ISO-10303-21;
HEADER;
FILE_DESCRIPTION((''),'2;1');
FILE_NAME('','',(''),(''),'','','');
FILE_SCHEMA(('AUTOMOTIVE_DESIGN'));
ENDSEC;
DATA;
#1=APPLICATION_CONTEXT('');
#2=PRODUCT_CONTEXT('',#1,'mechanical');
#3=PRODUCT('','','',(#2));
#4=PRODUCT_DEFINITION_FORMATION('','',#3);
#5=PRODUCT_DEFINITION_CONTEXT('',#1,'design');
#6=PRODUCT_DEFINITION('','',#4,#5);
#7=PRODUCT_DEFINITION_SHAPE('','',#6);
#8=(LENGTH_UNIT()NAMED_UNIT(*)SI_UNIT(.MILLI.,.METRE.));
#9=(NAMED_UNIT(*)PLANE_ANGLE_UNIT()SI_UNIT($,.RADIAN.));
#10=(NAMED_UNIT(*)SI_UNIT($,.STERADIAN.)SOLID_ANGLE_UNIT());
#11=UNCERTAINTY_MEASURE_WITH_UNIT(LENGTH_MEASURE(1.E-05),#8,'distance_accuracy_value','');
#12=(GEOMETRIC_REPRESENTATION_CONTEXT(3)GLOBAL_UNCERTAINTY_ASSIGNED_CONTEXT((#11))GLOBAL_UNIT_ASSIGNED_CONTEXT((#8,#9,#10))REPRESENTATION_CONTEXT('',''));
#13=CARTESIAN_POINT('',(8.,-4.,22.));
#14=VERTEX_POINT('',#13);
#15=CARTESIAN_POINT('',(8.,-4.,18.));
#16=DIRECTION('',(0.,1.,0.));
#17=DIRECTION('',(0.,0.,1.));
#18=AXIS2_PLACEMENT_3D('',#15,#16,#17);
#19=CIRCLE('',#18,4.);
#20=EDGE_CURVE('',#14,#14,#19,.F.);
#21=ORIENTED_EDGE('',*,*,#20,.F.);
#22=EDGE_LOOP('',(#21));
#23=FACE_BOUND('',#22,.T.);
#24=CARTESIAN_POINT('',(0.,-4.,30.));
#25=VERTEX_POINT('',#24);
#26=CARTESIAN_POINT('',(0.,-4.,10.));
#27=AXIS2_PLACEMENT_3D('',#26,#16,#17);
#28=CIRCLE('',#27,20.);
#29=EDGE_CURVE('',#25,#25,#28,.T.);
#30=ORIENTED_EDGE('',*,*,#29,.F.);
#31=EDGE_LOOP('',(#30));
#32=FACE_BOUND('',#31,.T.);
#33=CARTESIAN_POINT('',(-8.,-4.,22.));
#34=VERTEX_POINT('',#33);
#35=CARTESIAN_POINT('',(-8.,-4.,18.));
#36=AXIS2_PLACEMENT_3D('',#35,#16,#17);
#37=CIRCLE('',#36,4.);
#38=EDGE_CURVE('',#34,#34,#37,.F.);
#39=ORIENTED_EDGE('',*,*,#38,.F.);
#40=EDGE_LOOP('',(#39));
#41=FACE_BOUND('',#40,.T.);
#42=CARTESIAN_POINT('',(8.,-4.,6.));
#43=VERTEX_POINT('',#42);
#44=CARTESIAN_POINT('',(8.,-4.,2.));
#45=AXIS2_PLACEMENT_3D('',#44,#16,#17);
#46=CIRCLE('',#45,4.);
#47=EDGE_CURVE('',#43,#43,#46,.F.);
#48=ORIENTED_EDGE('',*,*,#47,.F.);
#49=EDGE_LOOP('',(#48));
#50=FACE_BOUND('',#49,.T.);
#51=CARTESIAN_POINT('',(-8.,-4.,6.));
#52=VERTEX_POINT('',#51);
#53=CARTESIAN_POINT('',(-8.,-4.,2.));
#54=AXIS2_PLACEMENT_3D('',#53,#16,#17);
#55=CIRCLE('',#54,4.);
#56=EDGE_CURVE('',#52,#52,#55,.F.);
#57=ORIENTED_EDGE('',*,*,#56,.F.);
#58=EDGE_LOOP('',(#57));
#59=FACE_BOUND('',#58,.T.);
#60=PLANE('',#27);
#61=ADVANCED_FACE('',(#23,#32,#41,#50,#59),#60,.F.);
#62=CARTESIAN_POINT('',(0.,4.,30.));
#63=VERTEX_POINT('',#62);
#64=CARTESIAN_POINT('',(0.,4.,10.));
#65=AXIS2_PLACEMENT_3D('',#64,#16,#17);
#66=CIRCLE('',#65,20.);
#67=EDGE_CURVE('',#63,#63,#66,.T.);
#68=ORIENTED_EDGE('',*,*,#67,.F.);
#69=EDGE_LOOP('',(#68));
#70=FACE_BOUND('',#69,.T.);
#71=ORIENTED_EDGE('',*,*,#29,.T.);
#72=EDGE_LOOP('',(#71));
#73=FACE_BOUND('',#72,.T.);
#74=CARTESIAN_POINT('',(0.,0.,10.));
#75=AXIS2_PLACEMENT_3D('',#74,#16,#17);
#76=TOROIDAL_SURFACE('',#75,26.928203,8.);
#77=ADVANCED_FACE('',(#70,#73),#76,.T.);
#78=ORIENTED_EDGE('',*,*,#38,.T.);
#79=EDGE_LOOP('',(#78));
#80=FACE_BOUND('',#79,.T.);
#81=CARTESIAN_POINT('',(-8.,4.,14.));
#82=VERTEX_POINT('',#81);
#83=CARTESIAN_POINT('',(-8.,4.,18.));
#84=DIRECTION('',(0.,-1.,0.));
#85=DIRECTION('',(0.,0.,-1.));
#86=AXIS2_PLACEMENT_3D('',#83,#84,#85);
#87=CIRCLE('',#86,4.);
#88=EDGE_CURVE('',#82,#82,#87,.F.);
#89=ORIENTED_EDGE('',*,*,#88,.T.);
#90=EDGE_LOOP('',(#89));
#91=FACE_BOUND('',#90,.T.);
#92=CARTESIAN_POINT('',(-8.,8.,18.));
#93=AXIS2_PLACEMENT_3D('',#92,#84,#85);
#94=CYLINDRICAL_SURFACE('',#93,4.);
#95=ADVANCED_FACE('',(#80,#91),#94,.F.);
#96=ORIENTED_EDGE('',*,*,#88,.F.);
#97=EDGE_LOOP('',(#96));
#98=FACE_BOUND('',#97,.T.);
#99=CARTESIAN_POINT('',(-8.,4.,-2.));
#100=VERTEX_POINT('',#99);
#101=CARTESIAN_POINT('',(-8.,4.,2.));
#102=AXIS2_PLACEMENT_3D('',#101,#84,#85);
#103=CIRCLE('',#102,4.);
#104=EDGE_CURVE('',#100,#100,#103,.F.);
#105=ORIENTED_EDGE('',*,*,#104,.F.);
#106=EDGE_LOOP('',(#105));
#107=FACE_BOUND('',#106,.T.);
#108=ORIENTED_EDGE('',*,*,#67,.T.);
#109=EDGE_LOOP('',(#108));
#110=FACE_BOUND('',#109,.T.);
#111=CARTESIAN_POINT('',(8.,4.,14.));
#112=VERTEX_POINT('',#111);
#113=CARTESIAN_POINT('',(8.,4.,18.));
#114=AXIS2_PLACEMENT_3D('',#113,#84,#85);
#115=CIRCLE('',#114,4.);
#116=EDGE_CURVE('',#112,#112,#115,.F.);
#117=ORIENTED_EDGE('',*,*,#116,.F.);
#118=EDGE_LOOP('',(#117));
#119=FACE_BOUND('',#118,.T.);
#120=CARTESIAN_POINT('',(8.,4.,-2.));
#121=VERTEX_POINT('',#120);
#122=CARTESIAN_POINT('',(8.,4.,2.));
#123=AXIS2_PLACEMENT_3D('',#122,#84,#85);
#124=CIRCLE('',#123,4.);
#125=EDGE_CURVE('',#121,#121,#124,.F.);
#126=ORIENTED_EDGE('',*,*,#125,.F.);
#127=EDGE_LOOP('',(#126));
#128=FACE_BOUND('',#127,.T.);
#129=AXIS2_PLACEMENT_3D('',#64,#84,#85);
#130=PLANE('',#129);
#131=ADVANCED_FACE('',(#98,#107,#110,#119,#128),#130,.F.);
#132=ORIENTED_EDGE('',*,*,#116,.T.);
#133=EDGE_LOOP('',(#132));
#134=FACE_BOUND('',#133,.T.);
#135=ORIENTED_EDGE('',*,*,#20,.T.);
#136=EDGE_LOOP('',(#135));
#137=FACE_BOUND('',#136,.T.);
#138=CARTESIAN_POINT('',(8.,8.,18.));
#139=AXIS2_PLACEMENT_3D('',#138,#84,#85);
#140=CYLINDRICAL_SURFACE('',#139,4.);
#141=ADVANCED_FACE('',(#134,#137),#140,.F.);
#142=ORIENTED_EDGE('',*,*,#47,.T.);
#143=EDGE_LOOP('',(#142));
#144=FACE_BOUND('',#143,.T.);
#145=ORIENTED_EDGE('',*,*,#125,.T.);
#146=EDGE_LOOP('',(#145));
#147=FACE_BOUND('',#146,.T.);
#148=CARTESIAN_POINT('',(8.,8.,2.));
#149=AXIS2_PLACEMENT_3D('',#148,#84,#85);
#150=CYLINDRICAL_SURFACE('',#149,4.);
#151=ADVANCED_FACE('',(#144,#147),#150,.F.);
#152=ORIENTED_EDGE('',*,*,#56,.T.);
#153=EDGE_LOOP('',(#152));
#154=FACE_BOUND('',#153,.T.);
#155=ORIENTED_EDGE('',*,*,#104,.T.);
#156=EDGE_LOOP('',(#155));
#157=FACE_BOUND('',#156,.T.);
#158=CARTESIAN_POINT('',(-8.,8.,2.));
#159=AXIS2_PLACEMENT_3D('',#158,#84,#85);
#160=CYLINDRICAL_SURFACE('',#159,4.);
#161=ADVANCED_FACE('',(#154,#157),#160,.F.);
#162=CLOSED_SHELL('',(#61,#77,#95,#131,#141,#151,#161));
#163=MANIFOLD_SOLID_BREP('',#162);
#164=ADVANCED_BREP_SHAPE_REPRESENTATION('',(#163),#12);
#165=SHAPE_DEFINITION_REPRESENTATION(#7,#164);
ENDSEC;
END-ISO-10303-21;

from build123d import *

# Parameters (mm, degrees)
CUT_EXTRUDE1_DEPTH      = 59.159460492
CUT_EXTRUDE1_DEPTH_BACK = 59.159460492
SKETCH3_R               = 4


with BuildPart() as part:
    # Sketch2 → Revolve1 (revolve)
    with BuildSketch(Plane(origin=(0, 0, 0), x_dir=(0, 0, -1), z_dir=(1, 0, 0)), mode=Mode.PRIVATE) as revolve1_sk:
        with BuildLine():
            Line((-10, 4), (10, 4))
            ThreePointArc((10, 4), (24.92820323, 0), (10, -4))
            Line((10, -4), (-10, -4))
            Line((-10, -4), (-10, 4))
        make_face()
    revolve(revolve1_sk.sketch.rotate(Axis((0, 4, 10), (0, -1, 0)), 180), axis=Axis((0, 4, 10), (0, -1, 0)))

    # Sketch3 → Cut-Extrude1 (cut, two sides: drawn at the far end of the back side and taken through both)
    with BuildSketch(Plane(origin=(0, 4, 0), x_dir=(1, 0, 0), z_dir=(0, 1, 0)).offset(-CUT_EXTRUDE1_DEPTH_BACK)):
        with Locations(Location((-8, -2, 0), (0, 0, 90))):
            Circle(SKETCH3_R)
        with Locations(Location((8, -2, 0), (0, 0, 90))):
            Circle(SKETCH3_R)
        with Locations(Location((8, -18, 0), (0, 0, 90))):
            Circle(SKETCH3_R)
        with Locations(Location((-8, -18, 0), (0, 0, 90))):
            Circle(SKETCH3_R)
    extrude(amount=CUT_EXTRUDE1_DEPTH + CUT_EXTRUDE1_DEPTH_BACK, mode=Mode.SUBTRACT)


solid = part.part
